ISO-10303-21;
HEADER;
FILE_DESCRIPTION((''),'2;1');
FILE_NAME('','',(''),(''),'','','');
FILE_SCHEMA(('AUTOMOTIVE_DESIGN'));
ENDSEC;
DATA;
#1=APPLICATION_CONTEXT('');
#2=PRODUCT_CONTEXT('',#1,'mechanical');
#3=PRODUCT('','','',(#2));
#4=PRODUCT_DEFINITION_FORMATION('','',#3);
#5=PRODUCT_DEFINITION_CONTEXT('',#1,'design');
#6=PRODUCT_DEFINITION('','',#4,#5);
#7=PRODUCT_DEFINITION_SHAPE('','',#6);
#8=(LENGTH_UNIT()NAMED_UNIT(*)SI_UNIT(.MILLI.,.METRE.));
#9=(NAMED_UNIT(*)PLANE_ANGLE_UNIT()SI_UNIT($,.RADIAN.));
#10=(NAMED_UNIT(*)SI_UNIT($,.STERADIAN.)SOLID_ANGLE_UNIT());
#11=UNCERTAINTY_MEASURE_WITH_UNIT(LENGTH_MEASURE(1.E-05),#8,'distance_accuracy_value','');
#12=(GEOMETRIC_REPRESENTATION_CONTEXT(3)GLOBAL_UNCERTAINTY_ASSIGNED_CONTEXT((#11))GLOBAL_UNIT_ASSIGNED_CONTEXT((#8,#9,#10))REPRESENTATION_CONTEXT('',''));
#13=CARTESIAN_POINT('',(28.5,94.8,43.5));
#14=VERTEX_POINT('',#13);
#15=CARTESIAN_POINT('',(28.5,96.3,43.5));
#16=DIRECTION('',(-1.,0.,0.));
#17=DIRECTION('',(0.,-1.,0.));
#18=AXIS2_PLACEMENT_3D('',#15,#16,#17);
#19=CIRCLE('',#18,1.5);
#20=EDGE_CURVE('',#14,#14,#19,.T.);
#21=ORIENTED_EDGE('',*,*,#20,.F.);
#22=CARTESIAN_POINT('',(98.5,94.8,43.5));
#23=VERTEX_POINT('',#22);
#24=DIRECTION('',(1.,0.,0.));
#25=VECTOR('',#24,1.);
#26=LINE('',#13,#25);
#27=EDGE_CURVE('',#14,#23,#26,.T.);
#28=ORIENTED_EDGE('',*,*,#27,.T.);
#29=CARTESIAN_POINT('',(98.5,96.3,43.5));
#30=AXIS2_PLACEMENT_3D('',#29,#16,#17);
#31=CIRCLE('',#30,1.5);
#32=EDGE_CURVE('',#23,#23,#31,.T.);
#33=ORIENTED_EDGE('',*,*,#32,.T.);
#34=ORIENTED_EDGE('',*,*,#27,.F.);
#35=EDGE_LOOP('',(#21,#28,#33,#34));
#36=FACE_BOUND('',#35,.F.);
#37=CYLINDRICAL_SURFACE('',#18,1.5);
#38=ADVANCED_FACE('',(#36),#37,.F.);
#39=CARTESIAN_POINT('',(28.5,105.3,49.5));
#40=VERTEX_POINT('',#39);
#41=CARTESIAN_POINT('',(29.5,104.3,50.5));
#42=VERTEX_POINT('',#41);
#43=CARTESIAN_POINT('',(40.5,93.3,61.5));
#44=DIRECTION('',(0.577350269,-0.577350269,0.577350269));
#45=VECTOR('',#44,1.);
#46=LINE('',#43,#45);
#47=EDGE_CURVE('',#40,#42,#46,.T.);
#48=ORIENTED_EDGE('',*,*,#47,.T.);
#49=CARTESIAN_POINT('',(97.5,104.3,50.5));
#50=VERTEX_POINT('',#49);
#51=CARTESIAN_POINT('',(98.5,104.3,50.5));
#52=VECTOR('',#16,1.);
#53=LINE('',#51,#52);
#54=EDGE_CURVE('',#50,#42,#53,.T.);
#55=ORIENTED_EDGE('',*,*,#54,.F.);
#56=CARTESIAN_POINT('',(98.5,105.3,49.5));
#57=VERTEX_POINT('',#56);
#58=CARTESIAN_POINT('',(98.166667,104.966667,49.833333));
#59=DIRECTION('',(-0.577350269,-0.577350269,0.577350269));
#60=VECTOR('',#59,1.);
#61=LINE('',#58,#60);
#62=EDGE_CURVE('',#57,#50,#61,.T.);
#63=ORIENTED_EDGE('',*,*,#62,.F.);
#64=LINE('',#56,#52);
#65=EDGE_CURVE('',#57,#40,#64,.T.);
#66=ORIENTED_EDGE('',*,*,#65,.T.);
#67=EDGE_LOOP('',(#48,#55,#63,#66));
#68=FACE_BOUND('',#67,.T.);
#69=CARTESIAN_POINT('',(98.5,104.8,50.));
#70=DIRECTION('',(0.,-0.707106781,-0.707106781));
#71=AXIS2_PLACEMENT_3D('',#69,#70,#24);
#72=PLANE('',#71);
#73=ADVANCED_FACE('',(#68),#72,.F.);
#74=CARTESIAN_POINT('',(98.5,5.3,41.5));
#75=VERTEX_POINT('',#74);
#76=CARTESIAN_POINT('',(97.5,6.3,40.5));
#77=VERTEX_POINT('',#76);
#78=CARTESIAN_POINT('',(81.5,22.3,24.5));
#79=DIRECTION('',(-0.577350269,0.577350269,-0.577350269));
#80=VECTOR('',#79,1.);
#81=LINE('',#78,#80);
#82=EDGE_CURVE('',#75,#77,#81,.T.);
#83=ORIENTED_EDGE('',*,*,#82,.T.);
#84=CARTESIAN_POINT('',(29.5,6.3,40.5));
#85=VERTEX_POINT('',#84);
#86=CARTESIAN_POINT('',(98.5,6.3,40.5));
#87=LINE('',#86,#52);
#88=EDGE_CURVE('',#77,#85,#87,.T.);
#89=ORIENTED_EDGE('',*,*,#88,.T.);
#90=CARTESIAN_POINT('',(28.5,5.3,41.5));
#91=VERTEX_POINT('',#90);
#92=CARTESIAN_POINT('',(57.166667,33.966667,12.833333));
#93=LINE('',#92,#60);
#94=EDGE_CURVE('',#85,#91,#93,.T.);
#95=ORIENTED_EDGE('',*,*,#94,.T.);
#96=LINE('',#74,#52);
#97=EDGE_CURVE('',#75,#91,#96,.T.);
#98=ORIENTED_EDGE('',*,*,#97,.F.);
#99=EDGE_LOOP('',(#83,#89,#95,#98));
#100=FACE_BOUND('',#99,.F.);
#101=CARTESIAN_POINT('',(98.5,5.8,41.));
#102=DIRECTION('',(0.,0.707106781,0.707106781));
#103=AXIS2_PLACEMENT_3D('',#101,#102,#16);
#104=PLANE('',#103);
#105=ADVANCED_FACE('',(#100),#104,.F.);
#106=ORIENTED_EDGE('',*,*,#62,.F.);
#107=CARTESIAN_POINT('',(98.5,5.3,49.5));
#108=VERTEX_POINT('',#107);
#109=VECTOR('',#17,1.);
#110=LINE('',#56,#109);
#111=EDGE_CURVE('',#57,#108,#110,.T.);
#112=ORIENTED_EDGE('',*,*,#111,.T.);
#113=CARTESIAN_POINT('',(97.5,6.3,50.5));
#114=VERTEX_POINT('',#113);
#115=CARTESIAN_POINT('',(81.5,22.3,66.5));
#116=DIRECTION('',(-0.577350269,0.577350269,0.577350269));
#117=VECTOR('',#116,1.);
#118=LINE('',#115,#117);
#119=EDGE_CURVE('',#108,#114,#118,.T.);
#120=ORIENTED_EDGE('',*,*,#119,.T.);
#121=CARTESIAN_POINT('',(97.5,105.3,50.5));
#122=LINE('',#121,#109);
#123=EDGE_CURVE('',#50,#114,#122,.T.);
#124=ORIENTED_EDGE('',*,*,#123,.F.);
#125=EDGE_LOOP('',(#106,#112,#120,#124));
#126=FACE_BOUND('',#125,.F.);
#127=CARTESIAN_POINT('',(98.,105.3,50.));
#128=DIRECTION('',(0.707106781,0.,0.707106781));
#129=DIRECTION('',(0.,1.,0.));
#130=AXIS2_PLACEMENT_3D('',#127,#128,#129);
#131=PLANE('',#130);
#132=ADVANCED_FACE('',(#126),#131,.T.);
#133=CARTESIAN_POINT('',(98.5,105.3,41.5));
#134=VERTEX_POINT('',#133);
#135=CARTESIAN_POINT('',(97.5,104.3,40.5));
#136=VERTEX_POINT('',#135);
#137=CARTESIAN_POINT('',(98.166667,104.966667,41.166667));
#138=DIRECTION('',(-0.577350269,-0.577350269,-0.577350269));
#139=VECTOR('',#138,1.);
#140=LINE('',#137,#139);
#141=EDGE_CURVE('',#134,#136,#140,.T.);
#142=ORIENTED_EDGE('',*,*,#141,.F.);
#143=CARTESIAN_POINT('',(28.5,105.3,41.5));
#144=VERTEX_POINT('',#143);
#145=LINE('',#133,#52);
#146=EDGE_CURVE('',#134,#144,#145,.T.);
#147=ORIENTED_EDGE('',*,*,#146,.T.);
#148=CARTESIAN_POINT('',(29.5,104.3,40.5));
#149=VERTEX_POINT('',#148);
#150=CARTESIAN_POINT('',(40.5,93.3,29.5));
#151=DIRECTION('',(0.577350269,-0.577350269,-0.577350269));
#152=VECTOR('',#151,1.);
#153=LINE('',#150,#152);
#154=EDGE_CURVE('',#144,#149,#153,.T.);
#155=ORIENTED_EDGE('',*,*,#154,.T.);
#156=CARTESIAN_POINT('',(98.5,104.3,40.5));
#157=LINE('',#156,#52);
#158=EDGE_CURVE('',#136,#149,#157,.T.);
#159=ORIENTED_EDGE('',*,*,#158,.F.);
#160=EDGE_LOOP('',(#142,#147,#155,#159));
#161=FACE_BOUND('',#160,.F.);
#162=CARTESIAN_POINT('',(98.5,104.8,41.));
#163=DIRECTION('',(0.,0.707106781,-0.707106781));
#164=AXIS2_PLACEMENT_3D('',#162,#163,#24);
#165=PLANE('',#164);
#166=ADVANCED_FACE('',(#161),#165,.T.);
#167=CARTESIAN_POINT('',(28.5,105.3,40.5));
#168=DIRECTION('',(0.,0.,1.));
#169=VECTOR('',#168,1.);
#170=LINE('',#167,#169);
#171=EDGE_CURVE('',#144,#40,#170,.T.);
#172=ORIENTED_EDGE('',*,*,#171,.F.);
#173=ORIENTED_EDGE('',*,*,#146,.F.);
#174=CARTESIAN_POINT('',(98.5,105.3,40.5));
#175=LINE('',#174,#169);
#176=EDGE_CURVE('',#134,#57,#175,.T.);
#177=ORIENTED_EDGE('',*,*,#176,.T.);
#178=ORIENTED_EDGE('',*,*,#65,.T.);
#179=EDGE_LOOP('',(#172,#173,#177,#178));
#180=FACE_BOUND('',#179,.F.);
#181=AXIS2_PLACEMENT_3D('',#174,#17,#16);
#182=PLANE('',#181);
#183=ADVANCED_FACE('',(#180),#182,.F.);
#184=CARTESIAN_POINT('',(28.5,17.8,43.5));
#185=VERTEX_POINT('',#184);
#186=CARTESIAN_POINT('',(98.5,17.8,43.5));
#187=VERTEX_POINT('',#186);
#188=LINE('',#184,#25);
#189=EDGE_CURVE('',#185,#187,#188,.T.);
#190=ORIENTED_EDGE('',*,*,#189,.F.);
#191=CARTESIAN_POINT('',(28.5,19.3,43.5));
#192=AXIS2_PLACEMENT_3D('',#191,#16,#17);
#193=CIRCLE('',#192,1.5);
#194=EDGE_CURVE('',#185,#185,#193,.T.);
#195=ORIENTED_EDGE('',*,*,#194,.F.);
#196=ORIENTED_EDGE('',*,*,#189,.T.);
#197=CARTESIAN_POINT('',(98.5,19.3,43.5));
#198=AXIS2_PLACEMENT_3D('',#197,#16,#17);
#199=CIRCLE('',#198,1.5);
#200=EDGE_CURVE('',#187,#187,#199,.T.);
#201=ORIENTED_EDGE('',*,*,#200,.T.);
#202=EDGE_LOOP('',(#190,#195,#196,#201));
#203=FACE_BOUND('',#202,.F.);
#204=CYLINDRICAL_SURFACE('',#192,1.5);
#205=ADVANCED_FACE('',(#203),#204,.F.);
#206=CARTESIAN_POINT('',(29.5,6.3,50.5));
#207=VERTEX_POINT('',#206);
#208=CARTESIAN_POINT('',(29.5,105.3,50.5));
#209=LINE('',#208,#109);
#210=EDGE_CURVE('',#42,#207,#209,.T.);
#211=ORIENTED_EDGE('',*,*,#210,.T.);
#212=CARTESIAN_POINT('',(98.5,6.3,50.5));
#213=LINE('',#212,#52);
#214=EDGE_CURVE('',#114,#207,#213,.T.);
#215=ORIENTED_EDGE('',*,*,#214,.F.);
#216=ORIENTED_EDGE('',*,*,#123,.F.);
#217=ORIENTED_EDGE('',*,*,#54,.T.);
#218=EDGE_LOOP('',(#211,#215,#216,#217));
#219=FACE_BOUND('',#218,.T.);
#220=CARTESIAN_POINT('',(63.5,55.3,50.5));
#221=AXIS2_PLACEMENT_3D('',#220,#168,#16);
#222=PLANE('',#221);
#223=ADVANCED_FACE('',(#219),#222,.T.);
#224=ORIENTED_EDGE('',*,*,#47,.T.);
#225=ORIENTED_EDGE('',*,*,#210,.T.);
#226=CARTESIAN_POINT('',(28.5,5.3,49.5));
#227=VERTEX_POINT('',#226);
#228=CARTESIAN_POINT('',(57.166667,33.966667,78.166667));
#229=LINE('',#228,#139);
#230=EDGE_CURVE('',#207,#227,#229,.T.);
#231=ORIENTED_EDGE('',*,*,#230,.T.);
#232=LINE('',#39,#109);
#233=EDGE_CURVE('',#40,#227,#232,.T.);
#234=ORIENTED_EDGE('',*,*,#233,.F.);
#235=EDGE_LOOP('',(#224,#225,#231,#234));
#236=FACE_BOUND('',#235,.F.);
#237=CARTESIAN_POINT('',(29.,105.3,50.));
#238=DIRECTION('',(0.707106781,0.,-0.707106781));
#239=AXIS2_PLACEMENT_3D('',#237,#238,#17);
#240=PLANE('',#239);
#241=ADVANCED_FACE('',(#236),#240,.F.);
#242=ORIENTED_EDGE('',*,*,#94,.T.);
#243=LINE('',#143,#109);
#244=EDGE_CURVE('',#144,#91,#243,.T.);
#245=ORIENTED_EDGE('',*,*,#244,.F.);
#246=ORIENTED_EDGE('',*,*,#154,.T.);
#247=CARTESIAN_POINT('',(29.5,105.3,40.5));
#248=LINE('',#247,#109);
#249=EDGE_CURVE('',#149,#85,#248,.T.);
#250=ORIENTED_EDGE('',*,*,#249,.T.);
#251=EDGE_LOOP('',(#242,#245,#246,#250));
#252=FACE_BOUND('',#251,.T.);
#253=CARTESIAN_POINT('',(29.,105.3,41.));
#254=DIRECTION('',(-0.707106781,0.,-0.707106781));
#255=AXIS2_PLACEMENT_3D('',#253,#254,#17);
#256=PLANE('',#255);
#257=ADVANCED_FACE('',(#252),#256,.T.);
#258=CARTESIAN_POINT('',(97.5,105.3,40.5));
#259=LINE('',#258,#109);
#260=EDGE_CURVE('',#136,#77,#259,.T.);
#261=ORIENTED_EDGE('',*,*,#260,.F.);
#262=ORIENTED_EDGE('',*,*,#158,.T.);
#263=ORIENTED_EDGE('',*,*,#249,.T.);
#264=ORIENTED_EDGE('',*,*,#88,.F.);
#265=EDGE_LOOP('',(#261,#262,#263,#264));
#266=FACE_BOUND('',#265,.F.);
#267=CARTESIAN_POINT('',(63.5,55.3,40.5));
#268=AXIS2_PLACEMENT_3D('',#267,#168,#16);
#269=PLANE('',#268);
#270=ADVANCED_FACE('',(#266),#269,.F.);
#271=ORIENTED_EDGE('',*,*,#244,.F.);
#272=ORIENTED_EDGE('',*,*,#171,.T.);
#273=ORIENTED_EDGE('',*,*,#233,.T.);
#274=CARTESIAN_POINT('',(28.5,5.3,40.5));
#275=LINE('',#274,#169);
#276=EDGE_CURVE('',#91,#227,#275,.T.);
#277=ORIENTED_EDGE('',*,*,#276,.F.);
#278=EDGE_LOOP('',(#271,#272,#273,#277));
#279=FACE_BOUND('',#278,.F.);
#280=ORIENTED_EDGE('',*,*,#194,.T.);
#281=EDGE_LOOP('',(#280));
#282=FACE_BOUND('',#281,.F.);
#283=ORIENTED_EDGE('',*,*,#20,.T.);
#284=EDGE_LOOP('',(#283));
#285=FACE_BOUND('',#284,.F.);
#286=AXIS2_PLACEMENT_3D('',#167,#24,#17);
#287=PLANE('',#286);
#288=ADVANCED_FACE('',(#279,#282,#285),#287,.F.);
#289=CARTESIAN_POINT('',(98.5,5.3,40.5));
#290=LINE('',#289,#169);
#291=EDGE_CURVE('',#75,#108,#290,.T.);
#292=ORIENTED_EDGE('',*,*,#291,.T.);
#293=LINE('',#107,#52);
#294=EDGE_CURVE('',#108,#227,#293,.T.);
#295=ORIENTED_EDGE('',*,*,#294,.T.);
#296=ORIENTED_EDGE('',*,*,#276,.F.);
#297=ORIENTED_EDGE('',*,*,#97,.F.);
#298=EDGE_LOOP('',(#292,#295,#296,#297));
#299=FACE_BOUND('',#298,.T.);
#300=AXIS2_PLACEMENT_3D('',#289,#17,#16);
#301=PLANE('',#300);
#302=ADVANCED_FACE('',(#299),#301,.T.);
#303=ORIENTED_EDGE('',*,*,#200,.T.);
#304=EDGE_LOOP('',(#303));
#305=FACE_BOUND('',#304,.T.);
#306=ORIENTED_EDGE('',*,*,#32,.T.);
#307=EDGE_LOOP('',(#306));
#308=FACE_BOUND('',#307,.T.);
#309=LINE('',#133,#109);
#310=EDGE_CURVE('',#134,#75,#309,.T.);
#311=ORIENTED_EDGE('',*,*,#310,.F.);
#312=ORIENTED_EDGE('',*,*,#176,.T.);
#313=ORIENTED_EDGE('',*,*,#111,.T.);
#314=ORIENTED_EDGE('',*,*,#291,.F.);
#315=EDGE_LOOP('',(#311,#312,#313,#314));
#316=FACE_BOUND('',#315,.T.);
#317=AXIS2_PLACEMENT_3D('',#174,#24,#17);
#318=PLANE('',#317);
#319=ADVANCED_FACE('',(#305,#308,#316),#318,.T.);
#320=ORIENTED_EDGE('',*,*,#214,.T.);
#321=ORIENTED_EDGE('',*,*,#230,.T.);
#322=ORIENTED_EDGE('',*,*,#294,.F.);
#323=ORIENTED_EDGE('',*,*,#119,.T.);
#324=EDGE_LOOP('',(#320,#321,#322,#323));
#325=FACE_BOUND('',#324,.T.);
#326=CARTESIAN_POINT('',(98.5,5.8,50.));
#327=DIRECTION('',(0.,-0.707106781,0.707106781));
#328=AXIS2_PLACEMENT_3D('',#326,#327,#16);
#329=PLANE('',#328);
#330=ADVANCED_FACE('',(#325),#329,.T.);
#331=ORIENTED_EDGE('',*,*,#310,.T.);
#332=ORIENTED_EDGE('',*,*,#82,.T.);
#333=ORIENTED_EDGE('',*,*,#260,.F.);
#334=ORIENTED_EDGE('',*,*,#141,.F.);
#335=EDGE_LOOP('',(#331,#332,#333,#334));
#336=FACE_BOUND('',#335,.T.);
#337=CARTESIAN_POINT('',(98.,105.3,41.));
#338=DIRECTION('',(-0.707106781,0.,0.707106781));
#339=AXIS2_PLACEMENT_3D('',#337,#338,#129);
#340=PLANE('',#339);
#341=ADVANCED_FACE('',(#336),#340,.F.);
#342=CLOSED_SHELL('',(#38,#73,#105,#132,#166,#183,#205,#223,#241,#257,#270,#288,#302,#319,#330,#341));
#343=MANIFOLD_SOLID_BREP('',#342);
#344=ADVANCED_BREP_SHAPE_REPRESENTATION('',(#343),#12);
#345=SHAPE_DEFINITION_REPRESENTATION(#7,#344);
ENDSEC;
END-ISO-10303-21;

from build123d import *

# Parameters (mm, degrees)
SKETCH056_W             = 70
SKETCH056_H             = 100
PAD018_DEPTH            = 10
SKETCH057_R             = 1.5
POCKET038_DEPTH         = 70.001
CHAMFER005_SIZE         = 1
BODY014_PLACEMENT_ANGLE = 180


with BuildPart() as part:
    # Sketch056 → Pad018 (new body)
    with BuildSketch(Plane.XY):
        Rectangle(SKETCH056_W, SKETCH056_H)
    extrude(amount=PAD018_DEPTH)

    # Sketch057 (on Face3 of Pad018) → Pocket038 (cut, through all)
    with BuildSketch(Plane.YZ.offset(35)):
        with Locations((36, 3)):
            Circle(SKETCH057_R)
        with Locations((-41, 3)):
            Circle(SKETCH057_R)
    extrude(amount=-POCKET038_DEPTH, mode=Mode.SUBTRACT)

    # Chamfer005
    chamfer005_edges = [part.edges().sort_by_distance(p)[0] for p in [
        (-35, 0, 0),
        (0, -50, 0),
        (35, 0, 0),
        (0, 50, 0),
        (-35, 0, 10),
        (0, -50, 10),
        (35, 0, 10),
        (0, 50, 10),
    ]]
    chamfer(chamfer005_edges, length=CHAMFER005_SIZE)


with BuildPart() as part_1:
    # Body014 placement: moved
    add(part.part.moved(Location((63.5, 55.3, 40.5))).rotate(Axis((63.5, 55.3, 40.5), (0, 0, 1)), BODY014_PLACEMENT_ANGLE))


solid = part_1.part
